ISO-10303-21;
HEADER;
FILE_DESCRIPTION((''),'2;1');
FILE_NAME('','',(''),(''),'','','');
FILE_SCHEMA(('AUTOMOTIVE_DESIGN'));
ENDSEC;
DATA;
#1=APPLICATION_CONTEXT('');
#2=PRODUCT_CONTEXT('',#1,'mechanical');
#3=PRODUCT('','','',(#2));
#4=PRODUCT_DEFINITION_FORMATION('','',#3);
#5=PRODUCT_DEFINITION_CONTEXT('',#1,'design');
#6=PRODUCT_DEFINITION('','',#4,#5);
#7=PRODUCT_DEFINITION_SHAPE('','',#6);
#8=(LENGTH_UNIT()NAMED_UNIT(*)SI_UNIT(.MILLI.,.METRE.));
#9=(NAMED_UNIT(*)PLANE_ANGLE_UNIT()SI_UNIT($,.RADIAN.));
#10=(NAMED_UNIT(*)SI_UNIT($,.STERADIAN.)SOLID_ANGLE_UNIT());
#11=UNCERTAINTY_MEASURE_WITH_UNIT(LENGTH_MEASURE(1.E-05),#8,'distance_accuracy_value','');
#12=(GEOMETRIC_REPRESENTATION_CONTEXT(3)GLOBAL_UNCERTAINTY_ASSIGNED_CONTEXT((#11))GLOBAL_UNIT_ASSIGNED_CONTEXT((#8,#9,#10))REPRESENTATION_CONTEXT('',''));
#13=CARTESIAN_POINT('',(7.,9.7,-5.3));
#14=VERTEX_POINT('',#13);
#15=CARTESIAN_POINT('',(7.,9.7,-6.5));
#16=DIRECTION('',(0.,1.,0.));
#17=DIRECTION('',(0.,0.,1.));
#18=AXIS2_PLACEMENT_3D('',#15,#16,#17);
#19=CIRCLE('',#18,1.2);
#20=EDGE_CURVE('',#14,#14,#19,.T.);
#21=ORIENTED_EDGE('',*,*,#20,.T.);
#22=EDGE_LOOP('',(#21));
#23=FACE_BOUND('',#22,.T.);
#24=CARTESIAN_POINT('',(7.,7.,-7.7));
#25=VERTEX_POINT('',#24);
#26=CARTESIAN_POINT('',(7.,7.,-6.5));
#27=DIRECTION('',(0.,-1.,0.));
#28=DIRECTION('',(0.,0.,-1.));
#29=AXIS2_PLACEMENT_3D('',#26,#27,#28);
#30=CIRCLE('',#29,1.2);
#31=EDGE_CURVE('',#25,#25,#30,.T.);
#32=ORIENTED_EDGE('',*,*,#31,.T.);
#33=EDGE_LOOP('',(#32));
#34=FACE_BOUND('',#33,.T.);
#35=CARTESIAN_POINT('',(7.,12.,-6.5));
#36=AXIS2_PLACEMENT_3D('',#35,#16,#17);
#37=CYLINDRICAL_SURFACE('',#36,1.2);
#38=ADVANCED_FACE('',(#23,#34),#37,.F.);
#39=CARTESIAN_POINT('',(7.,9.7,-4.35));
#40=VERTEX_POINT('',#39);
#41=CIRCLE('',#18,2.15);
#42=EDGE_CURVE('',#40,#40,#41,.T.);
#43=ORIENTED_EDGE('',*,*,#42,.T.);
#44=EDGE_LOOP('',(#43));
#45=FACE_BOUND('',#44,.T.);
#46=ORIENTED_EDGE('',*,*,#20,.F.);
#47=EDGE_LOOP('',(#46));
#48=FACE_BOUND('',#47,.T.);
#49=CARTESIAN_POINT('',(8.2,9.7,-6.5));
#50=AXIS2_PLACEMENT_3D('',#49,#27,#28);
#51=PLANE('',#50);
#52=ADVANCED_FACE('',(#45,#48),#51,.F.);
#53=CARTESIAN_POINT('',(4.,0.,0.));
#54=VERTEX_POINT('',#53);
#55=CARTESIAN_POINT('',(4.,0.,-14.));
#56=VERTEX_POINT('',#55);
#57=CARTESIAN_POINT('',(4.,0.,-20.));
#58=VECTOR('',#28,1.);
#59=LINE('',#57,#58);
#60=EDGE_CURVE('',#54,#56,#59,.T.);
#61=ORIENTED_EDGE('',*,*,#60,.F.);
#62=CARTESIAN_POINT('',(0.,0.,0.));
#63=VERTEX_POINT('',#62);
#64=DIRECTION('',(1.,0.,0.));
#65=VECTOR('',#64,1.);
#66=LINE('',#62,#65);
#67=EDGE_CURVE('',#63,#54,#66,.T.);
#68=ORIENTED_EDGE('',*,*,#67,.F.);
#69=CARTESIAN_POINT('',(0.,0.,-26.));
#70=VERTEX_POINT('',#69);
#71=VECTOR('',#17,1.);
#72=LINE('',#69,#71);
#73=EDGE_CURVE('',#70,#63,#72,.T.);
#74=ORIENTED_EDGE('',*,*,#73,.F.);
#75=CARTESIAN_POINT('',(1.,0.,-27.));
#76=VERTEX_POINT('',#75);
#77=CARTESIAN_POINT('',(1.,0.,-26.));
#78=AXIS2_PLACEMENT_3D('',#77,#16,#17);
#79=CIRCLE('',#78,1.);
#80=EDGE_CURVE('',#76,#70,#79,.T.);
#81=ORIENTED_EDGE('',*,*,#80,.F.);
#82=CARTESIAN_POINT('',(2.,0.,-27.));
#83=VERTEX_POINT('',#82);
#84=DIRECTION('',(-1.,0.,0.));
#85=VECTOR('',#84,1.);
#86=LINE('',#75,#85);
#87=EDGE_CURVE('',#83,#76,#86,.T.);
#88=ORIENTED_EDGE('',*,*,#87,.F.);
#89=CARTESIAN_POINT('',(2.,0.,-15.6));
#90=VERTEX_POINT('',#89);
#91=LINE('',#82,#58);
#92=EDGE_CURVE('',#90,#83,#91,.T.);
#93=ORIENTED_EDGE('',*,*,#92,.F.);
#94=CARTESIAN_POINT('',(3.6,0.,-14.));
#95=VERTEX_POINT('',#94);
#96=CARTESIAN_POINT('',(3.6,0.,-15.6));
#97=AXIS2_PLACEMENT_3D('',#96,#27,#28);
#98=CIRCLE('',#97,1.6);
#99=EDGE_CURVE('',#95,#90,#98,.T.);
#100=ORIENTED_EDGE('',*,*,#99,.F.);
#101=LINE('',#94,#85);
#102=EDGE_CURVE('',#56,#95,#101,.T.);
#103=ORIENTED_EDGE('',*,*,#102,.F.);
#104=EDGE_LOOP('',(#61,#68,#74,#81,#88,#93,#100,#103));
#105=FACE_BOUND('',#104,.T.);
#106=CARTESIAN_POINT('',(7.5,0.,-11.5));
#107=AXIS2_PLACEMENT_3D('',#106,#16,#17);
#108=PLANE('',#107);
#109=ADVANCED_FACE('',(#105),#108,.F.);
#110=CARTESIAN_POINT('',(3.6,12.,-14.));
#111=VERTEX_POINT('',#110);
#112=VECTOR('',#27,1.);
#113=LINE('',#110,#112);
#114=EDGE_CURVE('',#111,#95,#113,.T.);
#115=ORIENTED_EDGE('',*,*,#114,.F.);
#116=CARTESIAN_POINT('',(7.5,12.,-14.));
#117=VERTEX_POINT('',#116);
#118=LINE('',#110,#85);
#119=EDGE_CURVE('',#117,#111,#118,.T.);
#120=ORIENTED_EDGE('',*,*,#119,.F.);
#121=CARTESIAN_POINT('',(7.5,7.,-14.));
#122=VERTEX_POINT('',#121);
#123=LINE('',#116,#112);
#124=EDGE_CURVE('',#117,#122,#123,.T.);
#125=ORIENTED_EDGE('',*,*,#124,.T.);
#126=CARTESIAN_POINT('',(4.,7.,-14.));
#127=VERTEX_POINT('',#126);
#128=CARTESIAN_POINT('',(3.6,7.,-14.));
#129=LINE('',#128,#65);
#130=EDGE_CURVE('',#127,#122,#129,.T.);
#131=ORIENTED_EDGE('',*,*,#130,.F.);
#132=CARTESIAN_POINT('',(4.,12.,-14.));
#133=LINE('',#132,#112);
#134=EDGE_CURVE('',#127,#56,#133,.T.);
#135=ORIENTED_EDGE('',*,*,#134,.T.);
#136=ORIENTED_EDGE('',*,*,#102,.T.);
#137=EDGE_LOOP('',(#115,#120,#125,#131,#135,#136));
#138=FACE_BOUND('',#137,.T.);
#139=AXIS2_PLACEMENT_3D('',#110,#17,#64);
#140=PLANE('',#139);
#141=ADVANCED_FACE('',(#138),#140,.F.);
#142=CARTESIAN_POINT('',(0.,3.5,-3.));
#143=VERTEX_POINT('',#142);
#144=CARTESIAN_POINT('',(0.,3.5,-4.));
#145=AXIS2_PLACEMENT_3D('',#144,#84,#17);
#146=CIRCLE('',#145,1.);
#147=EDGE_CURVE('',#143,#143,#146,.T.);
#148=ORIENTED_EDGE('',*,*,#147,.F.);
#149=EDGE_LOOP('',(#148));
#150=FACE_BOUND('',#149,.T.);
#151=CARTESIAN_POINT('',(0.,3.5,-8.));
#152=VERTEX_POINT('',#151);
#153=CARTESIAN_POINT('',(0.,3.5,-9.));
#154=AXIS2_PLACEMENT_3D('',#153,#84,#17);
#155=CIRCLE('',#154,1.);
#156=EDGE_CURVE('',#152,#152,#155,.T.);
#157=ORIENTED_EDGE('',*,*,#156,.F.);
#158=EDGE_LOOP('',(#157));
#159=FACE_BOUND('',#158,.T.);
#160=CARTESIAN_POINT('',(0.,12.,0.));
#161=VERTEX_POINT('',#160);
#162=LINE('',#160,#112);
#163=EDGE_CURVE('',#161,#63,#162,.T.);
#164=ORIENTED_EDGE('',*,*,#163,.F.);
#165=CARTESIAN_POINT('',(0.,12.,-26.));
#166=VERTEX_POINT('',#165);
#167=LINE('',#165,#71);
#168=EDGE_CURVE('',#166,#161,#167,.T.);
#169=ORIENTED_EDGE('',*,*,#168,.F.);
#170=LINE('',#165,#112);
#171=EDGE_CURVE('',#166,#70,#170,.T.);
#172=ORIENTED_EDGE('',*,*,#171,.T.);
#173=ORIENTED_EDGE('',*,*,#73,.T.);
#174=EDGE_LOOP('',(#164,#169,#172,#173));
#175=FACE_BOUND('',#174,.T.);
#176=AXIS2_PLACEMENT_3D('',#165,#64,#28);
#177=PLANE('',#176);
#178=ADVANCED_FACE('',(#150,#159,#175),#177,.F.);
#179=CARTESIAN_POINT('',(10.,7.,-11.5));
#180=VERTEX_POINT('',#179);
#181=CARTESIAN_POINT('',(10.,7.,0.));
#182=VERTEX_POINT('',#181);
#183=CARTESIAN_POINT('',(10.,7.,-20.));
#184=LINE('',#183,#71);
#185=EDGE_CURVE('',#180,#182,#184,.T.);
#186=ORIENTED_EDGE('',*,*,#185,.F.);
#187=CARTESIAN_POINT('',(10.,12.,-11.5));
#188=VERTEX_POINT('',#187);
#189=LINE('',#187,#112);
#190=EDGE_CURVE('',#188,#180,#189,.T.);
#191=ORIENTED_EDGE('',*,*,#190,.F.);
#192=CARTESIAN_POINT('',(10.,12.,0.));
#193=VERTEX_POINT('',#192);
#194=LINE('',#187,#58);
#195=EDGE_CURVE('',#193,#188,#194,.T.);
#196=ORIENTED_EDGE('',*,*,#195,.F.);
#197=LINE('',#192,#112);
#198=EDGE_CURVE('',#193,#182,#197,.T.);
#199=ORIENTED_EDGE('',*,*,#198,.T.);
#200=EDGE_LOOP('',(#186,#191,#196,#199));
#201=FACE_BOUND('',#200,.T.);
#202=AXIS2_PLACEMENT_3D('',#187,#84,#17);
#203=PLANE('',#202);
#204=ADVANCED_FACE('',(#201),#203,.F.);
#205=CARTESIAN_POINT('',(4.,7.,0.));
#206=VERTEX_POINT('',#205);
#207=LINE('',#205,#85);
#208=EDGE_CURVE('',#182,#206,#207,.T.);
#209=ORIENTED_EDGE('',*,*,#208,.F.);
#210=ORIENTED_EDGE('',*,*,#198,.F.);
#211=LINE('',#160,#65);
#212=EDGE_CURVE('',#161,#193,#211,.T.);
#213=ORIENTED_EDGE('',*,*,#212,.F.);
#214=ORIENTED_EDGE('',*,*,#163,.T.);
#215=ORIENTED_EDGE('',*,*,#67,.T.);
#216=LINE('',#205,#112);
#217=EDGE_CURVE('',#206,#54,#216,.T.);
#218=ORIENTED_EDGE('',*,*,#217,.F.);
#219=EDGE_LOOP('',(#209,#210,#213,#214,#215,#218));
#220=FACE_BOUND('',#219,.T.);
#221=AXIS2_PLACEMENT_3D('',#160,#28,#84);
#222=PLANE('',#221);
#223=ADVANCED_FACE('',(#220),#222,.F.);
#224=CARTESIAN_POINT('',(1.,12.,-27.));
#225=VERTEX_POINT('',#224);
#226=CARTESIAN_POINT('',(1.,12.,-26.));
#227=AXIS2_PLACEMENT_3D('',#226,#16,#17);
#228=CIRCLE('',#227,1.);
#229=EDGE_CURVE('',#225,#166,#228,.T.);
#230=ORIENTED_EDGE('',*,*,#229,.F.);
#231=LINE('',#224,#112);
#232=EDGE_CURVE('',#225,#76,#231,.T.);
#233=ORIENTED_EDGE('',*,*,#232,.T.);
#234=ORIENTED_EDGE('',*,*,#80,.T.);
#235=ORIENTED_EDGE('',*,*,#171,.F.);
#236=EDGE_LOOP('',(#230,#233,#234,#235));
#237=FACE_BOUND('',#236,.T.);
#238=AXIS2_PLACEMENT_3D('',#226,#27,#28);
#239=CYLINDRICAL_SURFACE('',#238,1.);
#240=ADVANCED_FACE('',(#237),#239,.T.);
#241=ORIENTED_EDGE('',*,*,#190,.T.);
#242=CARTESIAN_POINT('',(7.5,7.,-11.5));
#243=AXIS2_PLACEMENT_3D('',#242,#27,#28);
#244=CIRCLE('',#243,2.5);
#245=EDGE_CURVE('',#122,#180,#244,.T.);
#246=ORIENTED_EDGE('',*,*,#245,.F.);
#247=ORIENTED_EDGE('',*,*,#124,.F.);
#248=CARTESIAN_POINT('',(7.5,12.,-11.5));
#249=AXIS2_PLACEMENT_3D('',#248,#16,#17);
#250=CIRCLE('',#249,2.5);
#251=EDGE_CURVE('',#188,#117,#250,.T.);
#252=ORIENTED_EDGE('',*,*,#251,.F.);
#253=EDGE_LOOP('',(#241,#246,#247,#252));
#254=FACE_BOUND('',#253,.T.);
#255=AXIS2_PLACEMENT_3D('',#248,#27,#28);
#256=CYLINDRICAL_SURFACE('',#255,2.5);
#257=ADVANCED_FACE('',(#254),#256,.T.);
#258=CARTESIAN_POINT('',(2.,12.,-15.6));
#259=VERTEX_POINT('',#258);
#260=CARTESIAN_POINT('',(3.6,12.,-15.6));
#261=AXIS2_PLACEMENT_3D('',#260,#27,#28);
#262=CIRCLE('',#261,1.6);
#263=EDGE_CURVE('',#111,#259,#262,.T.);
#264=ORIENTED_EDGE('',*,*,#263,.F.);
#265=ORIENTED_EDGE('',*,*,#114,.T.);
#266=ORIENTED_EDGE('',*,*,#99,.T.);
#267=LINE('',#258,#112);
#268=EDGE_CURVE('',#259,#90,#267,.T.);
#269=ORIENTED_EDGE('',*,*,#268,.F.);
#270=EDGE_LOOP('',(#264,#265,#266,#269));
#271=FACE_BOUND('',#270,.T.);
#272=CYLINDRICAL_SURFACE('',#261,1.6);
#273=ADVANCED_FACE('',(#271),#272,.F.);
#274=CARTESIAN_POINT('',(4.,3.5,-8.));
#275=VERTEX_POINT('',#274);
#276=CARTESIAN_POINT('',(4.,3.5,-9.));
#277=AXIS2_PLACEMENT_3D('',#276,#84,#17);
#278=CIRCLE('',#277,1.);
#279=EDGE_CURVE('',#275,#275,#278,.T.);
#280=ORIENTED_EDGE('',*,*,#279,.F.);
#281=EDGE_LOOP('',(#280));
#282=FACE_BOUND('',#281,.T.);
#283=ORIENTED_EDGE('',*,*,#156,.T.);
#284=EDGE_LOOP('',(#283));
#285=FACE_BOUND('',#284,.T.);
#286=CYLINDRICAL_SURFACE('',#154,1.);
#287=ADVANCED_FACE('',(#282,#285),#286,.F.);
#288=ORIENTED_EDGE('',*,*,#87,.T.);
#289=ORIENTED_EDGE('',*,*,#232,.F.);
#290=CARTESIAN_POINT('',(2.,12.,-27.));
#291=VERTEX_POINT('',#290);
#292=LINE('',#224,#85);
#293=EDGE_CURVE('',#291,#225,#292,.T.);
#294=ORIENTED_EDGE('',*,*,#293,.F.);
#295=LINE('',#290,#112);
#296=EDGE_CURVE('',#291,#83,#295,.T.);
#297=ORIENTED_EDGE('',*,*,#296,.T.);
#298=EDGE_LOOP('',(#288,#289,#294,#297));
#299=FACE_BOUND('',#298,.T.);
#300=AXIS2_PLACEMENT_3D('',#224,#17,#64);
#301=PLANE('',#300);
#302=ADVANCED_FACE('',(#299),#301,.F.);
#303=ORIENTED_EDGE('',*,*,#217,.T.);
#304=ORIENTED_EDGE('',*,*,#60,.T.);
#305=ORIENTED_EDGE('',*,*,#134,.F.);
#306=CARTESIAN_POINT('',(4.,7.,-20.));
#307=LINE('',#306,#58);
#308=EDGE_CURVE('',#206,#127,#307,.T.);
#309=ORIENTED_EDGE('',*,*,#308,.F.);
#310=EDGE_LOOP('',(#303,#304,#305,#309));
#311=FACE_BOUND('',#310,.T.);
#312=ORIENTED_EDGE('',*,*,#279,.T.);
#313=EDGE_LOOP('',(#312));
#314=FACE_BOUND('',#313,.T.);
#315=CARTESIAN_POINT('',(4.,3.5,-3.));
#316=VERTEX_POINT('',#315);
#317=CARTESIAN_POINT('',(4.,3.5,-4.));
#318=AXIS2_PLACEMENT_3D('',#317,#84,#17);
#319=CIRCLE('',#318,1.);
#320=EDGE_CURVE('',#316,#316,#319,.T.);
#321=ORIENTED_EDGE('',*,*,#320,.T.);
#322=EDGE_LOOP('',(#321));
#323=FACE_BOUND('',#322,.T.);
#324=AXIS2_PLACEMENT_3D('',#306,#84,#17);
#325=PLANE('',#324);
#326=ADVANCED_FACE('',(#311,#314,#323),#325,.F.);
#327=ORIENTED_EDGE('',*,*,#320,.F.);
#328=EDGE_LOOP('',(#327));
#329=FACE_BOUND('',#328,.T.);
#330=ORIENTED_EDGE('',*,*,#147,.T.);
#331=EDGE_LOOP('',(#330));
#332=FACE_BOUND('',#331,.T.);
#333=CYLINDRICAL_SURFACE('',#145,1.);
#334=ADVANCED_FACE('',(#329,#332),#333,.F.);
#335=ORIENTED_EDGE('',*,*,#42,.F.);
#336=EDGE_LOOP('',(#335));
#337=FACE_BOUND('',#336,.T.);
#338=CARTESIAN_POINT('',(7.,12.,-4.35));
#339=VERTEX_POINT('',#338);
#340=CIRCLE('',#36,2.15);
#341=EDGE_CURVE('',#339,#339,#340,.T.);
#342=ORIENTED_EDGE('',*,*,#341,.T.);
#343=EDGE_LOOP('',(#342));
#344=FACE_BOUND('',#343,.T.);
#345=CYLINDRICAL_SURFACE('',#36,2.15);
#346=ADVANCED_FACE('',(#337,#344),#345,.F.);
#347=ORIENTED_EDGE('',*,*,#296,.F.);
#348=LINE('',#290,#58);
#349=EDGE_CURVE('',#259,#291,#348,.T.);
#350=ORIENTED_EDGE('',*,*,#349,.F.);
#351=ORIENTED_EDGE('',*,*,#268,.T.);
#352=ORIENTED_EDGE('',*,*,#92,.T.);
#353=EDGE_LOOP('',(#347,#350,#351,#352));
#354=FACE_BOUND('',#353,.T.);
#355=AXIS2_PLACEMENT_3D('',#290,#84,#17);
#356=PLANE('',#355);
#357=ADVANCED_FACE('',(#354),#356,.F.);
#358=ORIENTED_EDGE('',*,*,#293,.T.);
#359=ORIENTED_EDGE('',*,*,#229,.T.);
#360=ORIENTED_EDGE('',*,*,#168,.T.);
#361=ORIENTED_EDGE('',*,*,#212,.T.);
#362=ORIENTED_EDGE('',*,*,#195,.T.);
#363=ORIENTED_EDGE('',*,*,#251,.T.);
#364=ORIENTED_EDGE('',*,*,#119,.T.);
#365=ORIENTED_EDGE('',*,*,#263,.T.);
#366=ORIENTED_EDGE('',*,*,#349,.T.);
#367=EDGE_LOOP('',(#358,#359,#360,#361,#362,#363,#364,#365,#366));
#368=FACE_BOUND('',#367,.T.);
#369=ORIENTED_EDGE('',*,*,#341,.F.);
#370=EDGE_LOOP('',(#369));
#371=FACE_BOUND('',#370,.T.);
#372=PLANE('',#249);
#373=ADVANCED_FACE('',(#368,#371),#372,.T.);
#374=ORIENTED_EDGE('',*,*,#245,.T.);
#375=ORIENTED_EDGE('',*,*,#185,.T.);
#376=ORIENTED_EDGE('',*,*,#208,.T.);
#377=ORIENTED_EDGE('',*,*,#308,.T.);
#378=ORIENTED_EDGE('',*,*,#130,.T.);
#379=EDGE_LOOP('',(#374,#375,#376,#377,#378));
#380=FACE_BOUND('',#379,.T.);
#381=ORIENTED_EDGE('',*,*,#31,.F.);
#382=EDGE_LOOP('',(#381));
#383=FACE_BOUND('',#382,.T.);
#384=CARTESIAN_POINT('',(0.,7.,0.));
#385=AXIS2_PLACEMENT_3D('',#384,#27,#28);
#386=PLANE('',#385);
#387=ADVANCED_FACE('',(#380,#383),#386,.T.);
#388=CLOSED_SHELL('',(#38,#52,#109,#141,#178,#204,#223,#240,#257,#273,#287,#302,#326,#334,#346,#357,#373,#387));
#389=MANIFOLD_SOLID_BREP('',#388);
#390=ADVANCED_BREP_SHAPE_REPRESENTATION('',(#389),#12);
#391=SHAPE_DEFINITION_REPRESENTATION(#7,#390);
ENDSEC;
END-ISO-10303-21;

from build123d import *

# Parameters (mm, degrees)
EXTRUDE_1_DEPTH              = 12
SKETCH_2_W                   = 6
SKETCH_2_H                   = 20
CUT_EXTRUDE_1_DEPTH          = 7
F_2_0MM_1_D                  = 2
HOLE_WIZARD_M2_1_D           = 2.4
HOLE_WIZARD_M2_1_CBORE_D     = 4.3
HOLE_WIZARD_M2_1_CBORE_DEPTH = 2.3


with BuildPart() as part:
    # 草图1 → 凸台-拉伸1 (new body)
    with BuildSketch(Plane(origin=(0, 0, 0), x_dir=(1, 0, 0), z_dir=(0, 1, 0))):
        with BuildLine():
            Line((3.6, 14), (7.5, 14))
            ThreePointArc((7.5, 14), (9.267766953, 13.267766953), (10, 11.5))
            Line((10, 11.5), (10, 0))
            Line((10, 0), (0, 0))
            Line((0, 0), (0, 26))
            ThreePointArc((0, 26), (0.292893219, 26.707106781), (1, 27))
            Line((1, 27), (2, 27))
            Line((2, 27), (2, 15.6))
            ThreePointArc((2, 15.6), (2.46862915, 14.46862915), (3.6, 14))
        make_face()
    extrude(amount=EXTRUDE_1_DEPTH)

    # 草图2 → 切除-拉伸1 (cut)
    with BuildSketch(Plane.XZ):
        with Locations((7, -10)):
            Rectangle(SKETCH_2_W, SKETCH_2_H)
    extrude(amount=-CUT_EXTRUDE_1_DEPTH, mode=Mode.SUBTRACT)

    # Ø2.0mm 暗销孔1 (through all)
    with Locations(Plane.ZY):
        with Locations((-4, 3.5), (-9, 3.5)):
            Hole(F_2_0MM_1_D / 2)

    # M2 六角圆柱头螺钉的柱形沉头孔1 (through all)
    with Locations(Plane(origin=(0, 12, 0), x_dir=(1, 0, 0), z_dir=(0, 1, 0))):
        with Locations((7, 6.5)):
            CounterBoreHole(HOLE_WIZARD_M2_1_D / 2, HOLE_WIZARD_M2_1_CBORE_D / 2, HOLE_WIZARD_M2_1_CBORE_DEPTH)


solid = part.part
